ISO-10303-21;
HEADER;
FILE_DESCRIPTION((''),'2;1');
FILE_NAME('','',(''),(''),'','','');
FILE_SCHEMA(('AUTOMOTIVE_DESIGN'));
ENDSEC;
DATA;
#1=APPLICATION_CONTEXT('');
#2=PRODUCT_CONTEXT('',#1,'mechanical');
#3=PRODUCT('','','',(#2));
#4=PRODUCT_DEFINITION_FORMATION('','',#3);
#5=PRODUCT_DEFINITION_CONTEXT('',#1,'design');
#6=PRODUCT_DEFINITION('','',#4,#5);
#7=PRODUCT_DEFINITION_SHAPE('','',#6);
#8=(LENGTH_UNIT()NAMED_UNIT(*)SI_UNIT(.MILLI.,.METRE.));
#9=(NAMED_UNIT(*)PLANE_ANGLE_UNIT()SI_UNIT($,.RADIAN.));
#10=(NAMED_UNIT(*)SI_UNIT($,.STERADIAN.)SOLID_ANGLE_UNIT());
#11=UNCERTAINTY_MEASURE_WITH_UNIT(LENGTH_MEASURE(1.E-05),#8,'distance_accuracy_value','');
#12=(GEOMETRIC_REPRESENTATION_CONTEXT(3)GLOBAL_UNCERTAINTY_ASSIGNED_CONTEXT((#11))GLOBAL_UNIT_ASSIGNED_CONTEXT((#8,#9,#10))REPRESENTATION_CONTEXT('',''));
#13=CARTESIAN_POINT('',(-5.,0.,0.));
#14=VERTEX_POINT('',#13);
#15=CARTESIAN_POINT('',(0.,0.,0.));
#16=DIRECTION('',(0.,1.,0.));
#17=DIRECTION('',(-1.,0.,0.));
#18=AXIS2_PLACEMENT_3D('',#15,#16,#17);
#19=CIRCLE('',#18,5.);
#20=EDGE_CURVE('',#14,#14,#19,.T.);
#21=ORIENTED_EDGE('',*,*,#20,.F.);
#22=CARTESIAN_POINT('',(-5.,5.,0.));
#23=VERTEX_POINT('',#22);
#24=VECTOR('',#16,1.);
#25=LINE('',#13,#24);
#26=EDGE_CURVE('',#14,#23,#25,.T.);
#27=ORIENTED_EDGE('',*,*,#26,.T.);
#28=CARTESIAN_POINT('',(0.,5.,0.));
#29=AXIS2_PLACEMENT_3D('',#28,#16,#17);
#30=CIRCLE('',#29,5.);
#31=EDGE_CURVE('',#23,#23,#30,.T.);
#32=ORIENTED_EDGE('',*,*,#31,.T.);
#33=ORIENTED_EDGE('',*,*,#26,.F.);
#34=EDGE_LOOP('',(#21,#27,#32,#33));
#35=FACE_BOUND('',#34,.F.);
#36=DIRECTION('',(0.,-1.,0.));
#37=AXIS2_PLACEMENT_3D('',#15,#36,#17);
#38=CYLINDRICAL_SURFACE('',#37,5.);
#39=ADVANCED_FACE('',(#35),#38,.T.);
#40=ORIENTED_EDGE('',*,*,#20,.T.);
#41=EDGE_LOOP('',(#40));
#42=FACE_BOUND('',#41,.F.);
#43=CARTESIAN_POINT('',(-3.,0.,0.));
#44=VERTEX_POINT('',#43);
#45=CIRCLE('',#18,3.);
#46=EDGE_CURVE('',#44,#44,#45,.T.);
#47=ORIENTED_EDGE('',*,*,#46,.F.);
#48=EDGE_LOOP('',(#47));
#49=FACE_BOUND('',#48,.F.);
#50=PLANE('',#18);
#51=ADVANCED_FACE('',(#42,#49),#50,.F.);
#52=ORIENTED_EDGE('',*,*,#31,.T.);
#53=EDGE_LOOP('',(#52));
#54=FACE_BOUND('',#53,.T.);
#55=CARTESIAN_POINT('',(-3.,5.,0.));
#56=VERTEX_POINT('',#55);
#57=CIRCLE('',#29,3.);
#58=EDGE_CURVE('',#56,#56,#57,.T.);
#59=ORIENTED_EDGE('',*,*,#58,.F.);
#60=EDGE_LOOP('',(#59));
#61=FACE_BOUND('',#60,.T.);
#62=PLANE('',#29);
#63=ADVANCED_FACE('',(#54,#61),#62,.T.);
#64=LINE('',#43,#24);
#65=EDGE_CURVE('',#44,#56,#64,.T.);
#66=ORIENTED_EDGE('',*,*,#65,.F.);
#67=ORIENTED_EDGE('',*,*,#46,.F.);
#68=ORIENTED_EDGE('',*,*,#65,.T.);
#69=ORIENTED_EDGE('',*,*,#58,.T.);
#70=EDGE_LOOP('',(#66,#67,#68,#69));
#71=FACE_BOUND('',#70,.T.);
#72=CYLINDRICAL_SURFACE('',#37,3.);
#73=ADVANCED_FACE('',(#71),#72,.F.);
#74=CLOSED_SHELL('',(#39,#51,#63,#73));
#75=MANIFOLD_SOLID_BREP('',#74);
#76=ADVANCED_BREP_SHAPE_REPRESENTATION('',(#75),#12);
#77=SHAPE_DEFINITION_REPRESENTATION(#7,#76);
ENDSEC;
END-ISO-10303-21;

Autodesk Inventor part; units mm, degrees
ref_plane "YZ Plane" through (0, 0, 0) normal (1, 0, 0) x (0, 1, 0)
ref_plane "XZ Plane" through (0, 0, 0) normal (0, 1, 0) x (-1, 0, 0)
ref_plane "XY Plane" through (0, 0, 0) normal (0, 0, 1) x (1, 0, 0)
sketch "Sketch1" plane through (0, 0, 0) normal (0, 1, 0) x (-1, 0, 0)
  circle A0 centre (0, 0) radius 3
  circle A1 centre (0, 0) radius 5
  dimension "d0" = 6
  dimension "d1" = 10
extrude "Extrusion1" add sketch "Sketch1" along normal blind 5
properties part number "5mm_Spacer"
